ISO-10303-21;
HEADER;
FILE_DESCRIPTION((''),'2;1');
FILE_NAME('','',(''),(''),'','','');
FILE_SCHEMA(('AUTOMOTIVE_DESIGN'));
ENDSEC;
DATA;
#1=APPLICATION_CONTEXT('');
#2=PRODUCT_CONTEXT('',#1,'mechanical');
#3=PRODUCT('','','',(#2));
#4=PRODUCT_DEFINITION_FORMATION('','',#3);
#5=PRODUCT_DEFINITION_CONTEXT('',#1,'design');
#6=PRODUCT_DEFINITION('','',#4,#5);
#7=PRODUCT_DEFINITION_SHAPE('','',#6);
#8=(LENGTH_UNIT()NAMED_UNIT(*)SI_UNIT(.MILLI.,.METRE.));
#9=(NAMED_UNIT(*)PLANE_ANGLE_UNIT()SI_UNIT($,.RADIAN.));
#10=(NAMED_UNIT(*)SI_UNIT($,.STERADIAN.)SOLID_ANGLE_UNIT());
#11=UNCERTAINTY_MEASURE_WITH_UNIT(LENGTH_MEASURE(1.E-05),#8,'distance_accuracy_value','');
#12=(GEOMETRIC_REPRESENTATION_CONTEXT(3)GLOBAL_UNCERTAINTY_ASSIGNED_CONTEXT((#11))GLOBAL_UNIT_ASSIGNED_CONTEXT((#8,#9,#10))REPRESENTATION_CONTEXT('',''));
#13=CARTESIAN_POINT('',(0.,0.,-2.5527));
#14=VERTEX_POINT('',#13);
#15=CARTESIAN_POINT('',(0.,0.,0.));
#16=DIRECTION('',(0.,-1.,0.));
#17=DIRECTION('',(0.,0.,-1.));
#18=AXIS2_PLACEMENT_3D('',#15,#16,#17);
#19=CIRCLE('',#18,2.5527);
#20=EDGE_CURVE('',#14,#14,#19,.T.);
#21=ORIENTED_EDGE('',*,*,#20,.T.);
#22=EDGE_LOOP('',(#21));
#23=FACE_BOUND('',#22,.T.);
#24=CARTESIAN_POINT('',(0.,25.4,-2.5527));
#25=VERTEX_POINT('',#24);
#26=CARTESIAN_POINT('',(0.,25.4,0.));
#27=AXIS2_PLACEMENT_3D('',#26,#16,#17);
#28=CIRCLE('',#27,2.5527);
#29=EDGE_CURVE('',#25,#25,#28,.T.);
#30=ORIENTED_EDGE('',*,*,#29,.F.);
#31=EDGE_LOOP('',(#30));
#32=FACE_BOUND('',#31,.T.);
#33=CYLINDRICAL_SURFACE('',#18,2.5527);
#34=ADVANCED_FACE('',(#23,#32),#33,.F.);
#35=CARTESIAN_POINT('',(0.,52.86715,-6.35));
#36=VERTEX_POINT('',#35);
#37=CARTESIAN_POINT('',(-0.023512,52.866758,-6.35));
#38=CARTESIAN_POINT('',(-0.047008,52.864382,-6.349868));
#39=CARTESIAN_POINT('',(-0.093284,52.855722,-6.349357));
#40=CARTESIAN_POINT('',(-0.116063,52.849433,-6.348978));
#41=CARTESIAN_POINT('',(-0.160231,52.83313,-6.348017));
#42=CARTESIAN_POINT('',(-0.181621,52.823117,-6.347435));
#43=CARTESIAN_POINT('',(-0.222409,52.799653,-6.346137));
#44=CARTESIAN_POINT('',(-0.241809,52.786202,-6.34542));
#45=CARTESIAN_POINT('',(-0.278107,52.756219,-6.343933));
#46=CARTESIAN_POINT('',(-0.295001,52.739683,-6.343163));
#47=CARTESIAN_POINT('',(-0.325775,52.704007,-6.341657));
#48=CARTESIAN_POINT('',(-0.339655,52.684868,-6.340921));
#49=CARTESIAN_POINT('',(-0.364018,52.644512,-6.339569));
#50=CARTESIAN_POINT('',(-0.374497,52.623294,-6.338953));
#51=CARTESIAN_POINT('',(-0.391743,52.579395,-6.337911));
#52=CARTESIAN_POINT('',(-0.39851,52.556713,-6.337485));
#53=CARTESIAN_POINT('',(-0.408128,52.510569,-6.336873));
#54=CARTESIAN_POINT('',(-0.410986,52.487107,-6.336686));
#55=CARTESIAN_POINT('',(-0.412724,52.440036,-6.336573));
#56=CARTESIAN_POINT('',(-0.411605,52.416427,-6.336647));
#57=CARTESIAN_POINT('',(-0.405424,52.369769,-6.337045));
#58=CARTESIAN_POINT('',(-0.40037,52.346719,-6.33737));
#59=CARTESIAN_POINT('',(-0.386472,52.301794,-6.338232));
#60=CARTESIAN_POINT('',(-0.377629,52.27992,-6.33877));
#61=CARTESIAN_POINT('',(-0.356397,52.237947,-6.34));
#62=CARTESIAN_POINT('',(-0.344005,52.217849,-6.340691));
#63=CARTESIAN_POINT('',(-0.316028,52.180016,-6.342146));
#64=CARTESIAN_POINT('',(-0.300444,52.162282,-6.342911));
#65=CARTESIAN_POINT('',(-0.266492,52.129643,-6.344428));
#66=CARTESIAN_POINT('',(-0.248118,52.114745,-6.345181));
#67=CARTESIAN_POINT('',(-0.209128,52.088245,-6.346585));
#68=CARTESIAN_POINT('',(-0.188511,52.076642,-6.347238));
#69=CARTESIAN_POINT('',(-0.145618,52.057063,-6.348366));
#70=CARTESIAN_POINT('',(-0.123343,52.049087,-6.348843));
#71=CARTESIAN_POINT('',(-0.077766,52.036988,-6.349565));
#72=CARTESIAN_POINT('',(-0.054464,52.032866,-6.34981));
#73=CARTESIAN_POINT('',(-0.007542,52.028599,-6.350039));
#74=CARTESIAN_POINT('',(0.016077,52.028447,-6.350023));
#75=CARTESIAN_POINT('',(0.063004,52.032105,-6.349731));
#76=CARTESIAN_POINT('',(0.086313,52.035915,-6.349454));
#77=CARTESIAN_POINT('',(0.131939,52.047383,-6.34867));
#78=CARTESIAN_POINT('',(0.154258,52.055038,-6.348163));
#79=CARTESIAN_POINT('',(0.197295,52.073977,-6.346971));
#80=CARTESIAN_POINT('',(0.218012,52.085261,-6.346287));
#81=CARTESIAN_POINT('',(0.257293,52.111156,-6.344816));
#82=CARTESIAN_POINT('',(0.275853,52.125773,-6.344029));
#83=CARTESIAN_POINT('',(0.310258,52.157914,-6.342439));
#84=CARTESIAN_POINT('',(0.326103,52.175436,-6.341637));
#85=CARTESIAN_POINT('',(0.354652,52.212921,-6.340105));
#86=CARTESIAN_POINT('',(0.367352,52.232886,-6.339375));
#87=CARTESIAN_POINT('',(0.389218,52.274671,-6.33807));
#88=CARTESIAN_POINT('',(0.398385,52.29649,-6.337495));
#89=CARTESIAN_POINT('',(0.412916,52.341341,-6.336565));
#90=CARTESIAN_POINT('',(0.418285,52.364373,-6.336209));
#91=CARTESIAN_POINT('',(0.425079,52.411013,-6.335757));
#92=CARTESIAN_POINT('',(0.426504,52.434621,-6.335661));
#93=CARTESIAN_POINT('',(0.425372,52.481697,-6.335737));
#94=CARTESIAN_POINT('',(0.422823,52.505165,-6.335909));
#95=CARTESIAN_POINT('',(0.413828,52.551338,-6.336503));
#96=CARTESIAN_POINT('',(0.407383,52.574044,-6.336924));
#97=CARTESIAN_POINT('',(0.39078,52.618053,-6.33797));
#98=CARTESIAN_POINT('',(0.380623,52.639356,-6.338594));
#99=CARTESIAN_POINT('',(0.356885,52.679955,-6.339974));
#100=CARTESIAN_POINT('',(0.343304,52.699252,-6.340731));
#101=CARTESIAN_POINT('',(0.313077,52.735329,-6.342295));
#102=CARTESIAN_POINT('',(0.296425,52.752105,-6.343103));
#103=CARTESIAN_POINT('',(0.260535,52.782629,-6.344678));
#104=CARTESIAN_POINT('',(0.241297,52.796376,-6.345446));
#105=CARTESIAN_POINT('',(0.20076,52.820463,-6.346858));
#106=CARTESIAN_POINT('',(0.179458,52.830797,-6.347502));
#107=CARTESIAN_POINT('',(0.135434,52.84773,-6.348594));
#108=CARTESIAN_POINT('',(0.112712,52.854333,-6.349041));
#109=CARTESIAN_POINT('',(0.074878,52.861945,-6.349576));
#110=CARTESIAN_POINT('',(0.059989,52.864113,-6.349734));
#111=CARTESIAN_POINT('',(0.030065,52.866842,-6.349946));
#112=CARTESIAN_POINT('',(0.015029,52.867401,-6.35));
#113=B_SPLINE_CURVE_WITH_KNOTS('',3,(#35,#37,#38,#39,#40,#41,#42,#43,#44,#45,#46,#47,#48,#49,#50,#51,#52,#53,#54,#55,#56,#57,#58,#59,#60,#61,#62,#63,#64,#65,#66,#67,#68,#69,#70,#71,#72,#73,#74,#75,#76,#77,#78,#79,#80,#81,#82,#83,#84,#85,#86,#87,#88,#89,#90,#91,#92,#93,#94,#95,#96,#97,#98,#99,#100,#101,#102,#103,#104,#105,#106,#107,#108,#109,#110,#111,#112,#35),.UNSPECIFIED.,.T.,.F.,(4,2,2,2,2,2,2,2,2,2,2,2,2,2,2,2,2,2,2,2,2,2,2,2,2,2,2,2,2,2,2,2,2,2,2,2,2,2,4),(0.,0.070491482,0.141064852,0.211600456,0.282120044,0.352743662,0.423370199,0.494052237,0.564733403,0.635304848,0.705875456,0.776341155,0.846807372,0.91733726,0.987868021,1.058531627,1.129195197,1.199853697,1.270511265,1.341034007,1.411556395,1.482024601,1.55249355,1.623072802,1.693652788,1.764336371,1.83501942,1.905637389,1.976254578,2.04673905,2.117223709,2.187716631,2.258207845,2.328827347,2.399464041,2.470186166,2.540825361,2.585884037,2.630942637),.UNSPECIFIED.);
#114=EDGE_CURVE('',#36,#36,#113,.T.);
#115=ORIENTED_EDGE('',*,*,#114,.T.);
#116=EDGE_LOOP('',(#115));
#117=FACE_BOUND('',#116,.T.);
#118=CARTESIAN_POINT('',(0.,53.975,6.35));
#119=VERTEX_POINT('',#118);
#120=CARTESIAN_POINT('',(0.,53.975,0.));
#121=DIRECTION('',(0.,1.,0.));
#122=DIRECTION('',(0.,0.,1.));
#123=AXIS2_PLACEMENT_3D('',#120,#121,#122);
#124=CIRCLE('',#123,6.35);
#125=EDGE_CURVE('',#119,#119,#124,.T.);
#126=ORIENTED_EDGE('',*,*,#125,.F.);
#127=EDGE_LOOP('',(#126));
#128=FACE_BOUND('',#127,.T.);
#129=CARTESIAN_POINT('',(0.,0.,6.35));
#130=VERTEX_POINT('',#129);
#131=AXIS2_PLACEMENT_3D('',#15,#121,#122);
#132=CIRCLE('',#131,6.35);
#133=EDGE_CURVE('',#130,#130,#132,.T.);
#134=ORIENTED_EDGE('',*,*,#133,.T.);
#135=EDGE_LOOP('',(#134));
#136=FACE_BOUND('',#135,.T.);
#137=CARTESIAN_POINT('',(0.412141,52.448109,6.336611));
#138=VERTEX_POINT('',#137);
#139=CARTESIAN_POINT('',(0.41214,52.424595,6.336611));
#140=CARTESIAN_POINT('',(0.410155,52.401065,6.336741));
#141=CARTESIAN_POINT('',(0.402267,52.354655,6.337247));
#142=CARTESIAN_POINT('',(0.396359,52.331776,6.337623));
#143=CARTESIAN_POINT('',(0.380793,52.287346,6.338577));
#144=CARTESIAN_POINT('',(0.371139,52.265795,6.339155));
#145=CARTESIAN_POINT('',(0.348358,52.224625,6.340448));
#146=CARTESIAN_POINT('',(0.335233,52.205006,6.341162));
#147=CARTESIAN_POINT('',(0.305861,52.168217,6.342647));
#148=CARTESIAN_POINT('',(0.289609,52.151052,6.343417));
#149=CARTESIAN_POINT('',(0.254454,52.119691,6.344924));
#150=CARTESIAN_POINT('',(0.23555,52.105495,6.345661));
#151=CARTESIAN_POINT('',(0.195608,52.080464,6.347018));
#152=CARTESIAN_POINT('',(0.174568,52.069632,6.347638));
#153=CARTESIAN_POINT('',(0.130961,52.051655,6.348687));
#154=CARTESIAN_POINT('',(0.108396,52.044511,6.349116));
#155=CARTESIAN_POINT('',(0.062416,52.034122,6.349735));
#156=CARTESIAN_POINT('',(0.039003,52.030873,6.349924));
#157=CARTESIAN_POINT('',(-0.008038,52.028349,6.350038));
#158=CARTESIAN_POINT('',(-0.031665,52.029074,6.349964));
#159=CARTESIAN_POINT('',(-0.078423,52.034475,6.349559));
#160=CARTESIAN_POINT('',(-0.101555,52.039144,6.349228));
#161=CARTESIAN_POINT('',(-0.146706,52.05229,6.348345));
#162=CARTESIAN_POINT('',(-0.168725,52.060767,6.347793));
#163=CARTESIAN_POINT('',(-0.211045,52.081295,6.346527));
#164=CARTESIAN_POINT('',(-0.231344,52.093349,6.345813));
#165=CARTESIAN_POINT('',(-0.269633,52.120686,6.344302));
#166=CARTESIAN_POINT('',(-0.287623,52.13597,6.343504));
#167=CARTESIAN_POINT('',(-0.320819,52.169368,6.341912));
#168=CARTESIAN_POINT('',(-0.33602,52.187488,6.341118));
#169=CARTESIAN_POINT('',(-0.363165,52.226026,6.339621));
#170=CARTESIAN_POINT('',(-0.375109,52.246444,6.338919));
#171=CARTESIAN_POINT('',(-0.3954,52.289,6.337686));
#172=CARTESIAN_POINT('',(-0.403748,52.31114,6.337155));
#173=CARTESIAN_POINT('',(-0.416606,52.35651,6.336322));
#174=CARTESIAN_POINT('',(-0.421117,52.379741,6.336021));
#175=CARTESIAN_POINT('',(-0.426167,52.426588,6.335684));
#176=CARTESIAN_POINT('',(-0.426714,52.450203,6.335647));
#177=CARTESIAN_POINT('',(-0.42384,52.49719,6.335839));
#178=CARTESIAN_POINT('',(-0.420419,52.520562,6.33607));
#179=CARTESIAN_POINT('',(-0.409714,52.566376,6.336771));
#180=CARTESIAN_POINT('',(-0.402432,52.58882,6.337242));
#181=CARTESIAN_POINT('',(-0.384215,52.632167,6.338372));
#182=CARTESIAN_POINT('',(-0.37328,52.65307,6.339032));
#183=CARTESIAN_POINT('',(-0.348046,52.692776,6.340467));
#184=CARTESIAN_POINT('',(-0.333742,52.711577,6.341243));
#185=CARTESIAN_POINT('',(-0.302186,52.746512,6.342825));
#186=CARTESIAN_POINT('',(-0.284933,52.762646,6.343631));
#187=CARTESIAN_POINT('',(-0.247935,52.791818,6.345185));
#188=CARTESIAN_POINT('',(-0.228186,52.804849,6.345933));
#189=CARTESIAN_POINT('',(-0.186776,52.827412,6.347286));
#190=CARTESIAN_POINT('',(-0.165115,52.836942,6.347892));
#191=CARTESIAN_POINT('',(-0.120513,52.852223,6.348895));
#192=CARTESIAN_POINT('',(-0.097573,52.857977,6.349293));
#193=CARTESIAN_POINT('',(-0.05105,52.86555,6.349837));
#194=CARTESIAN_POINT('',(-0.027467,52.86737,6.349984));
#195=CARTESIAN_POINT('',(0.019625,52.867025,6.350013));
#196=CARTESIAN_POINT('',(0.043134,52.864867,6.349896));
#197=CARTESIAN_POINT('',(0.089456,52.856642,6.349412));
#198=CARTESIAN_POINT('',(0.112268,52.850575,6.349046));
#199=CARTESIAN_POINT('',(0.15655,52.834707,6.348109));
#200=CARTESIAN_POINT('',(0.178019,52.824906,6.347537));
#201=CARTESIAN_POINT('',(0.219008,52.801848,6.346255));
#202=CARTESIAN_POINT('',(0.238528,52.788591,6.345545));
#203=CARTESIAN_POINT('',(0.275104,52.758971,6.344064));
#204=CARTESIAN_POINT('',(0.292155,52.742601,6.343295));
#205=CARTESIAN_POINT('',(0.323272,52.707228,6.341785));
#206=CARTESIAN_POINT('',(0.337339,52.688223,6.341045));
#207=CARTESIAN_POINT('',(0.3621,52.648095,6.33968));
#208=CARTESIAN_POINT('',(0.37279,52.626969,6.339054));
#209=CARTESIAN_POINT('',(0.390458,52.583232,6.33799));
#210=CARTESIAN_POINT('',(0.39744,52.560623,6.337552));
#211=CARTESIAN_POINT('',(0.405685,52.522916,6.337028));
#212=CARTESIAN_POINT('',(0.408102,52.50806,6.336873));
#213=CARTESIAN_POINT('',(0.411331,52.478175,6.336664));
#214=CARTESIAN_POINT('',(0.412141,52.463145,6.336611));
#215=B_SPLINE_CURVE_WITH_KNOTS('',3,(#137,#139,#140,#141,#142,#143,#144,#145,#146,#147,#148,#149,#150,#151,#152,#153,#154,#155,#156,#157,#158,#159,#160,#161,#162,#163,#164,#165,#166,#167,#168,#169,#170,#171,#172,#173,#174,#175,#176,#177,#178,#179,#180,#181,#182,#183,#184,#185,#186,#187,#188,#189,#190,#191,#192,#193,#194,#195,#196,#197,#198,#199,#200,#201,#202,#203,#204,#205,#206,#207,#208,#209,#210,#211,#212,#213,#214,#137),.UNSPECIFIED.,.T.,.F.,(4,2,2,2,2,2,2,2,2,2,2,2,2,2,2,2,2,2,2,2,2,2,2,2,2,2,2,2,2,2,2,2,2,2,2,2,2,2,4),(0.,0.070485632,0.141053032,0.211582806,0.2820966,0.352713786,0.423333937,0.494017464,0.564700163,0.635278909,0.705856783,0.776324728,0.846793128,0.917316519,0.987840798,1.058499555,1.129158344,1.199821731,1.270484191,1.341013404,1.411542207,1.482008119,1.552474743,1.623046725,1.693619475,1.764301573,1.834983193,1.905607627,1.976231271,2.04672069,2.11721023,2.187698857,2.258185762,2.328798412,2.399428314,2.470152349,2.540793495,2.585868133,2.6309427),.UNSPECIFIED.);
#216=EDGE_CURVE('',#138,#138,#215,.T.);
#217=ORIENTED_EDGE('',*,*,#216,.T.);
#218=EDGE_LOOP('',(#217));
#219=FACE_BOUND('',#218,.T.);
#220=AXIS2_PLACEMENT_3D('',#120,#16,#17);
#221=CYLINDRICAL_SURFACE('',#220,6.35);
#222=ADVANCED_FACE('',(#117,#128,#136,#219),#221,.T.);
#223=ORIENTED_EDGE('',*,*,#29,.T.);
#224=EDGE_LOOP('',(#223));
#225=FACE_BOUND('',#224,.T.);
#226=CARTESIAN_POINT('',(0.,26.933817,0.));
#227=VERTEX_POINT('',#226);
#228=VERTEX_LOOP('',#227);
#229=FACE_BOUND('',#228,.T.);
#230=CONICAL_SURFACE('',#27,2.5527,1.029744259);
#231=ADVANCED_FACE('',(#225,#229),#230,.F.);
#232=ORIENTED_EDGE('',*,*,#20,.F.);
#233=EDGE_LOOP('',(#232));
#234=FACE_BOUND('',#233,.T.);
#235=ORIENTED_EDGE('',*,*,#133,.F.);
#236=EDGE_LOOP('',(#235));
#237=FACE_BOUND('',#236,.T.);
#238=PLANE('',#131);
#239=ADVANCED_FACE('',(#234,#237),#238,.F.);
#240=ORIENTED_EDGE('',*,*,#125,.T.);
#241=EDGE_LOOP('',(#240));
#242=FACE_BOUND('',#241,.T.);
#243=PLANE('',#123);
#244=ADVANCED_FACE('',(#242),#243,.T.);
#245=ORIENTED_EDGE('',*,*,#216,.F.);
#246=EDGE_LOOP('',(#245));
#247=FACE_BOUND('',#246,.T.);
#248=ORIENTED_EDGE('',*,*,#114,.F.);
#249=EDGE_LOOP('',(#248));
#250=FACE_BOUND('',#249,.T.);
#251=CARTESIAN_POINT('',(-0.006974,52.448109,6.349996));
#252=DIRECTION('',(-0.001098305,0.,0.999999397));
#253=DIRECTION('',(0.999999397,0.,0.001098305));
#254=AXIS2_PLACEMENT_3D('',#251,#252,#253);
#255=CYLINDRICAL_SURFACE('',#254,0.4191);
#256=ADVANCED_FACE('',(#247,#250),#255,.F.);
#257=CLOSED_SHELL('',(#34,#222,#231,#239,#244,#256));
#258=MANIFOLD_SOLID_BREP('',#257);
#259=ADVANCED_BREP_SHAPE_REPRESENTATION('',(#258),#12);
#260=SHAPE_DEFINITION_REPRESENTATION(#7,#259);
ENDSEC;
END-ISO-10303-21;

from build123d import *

# Parameters (mm, degrees)
SKETCH1_R                   = 6.35
BOSS_EXTRUDE1_DEPTH         = 53.975
F_1_4_20_TAPPED_HOLE1_D     = 5.1054
F_1_4_20_TAPPED_HOLE1_DEPTH = 25.4
F_1_4_20_TAPPED_HOLE1_TIP   = 1.533816902
F_66_0_033_DIAMETER_HOLE1_D = 0.8382


with BuildPart() as part:
    # Sketch1 → Boss-Extrude1 (new body)
    with BuildSketch(Plane(origin=(0, 0, 0), x_dir=(1, 0, 0), z_dir=(0, 1, 0))):
        Circle(SKETCH1_R)
    extrude(amount=BOSS_EXTRUDE1_DEPTH)

    # 1/4-20 Tapped Hole1
    with Locations(Plane(origin=(0, 0, 0), x_dir=(-1, 0, 0), z_dir=(0, -1, 0))):
        with Locations((0, 0)):
            Hole(F_1_4_20_TAPPED_HOLE1_D / 2, depth=F_1_4_20_TAPPED_HOLE1_DEPTH)
            with Locations((0, 0, -(F_1_4_20_TAPPED_HOLE1_DEPTH + F_1_4_20_TAPPED_HOLE1_TIP / 2))):  # 118° drill point
                Cone(0, F_1_4_20_TAPPED_HOLE1_D / 2, F_1_4_20_TAPPED_HOLE1_TIP, mode=Mode.SUBTRACT)

    # #66 (0.033) Diameter Hole1 (through all)
    with Locations(Plane(origin=(-0.006974239, 52.448108519, 6.34999617), x_dir=(0.999999397, 0, 0.001098305), z_dir=(-0.001098305, 0, 0.999999397))):
        with Locations((0, 0)):
            Hole(F_66_0_033_DIAMETER_HOLE1_D / 2)


solid = part.part
